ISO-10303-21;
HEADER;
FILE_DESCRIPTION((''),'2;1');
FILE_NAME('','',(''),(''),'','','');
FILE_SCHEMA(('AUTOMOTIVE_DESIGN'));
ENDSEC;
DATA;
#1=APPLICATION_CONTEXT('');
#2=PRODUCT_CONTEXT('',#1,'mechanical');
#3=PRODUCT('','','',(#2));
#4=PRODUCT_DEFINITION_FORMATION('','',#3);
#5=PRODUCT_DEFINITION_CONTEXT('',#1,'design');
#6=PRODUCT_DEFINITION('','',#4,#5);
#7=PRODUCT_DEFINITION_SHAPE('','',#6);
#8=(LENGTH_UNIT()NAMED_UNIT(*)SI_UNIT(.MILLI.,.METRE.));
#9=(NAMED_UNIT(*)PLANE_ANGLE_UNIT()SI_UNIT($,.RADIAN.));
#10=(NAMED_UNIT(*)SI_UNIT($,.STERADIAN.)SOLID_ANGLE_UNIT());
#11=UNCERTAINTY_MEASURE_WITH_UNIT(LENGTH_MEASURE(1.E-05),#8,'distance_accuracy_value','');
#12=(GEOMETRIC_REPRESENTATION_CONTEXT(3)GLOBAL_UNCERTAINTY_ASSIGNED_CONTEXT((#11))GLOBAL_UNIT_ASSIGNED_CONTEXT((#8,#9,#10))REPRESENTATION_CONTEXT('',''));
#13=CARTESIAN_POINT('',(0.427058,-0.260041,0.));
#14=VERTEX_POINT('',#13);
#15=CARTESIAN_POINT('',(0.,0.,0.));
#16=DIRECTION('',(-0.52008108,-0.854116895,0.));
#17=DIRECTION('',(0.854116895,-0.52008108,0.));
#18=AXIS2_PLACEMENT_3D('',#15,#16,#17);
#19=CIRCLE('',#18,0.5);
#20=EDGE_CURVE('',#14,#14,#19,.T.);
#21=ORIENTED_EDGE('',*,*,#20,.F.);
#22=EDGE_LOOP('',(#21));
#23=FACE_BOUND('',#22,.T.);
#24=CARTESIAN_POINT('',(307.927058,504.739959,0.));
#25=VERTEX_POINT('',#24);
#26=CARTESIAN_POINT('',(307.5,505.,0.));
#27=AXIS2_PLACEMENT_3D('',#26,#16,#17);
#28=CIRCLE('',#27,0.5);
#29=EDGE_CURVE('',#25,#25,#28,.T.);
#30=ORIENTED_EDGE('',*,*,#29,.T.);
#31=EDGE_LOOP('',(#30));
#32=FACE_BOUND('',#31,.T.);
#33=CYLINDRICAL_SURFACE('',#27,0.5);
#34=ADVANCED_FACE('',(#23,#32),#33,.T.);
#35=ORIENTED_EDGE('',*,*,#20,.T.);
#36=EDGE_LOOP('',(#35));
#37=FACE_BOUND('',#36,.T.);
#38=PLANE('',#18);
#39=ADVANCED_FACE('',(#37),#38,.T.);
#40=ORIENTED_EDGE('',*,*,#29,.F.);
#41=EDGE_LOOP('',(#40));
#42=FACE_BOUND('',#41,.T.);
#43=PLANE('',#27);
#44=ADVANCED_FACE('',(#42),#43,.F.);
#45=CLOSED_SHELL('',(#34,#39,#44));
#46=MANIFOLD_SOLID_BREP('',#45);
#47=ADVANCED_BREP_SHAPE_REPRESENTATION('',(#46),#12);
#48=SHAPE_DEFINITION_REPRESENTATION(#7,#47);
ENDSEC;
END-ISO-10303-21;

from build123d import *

# Parameters (mm, degrees)
SWEEP_1_PROFILE_R = 0.5


with BuildPart() as part:
    # 扫描1: sweep along a path in 草图2
    with BuildLine(Plane.XY) as sweep_1_path:
        Line((307.5, 505), (0, 0))
    # 扫描1 profile (on start of the path) → 扫描1 (sweep)
    with BuildSketch(Plane(origin=(307.5, 505, 0), x_dir=(-0.854116895, 0.52008108, 0), z_dir=(-0.52008108, -0.854116895, 0))):
        Circle(SWEEP_1_PROFILE_R)
    sweep(path=sweep_1_path.line)


solid = part.part
